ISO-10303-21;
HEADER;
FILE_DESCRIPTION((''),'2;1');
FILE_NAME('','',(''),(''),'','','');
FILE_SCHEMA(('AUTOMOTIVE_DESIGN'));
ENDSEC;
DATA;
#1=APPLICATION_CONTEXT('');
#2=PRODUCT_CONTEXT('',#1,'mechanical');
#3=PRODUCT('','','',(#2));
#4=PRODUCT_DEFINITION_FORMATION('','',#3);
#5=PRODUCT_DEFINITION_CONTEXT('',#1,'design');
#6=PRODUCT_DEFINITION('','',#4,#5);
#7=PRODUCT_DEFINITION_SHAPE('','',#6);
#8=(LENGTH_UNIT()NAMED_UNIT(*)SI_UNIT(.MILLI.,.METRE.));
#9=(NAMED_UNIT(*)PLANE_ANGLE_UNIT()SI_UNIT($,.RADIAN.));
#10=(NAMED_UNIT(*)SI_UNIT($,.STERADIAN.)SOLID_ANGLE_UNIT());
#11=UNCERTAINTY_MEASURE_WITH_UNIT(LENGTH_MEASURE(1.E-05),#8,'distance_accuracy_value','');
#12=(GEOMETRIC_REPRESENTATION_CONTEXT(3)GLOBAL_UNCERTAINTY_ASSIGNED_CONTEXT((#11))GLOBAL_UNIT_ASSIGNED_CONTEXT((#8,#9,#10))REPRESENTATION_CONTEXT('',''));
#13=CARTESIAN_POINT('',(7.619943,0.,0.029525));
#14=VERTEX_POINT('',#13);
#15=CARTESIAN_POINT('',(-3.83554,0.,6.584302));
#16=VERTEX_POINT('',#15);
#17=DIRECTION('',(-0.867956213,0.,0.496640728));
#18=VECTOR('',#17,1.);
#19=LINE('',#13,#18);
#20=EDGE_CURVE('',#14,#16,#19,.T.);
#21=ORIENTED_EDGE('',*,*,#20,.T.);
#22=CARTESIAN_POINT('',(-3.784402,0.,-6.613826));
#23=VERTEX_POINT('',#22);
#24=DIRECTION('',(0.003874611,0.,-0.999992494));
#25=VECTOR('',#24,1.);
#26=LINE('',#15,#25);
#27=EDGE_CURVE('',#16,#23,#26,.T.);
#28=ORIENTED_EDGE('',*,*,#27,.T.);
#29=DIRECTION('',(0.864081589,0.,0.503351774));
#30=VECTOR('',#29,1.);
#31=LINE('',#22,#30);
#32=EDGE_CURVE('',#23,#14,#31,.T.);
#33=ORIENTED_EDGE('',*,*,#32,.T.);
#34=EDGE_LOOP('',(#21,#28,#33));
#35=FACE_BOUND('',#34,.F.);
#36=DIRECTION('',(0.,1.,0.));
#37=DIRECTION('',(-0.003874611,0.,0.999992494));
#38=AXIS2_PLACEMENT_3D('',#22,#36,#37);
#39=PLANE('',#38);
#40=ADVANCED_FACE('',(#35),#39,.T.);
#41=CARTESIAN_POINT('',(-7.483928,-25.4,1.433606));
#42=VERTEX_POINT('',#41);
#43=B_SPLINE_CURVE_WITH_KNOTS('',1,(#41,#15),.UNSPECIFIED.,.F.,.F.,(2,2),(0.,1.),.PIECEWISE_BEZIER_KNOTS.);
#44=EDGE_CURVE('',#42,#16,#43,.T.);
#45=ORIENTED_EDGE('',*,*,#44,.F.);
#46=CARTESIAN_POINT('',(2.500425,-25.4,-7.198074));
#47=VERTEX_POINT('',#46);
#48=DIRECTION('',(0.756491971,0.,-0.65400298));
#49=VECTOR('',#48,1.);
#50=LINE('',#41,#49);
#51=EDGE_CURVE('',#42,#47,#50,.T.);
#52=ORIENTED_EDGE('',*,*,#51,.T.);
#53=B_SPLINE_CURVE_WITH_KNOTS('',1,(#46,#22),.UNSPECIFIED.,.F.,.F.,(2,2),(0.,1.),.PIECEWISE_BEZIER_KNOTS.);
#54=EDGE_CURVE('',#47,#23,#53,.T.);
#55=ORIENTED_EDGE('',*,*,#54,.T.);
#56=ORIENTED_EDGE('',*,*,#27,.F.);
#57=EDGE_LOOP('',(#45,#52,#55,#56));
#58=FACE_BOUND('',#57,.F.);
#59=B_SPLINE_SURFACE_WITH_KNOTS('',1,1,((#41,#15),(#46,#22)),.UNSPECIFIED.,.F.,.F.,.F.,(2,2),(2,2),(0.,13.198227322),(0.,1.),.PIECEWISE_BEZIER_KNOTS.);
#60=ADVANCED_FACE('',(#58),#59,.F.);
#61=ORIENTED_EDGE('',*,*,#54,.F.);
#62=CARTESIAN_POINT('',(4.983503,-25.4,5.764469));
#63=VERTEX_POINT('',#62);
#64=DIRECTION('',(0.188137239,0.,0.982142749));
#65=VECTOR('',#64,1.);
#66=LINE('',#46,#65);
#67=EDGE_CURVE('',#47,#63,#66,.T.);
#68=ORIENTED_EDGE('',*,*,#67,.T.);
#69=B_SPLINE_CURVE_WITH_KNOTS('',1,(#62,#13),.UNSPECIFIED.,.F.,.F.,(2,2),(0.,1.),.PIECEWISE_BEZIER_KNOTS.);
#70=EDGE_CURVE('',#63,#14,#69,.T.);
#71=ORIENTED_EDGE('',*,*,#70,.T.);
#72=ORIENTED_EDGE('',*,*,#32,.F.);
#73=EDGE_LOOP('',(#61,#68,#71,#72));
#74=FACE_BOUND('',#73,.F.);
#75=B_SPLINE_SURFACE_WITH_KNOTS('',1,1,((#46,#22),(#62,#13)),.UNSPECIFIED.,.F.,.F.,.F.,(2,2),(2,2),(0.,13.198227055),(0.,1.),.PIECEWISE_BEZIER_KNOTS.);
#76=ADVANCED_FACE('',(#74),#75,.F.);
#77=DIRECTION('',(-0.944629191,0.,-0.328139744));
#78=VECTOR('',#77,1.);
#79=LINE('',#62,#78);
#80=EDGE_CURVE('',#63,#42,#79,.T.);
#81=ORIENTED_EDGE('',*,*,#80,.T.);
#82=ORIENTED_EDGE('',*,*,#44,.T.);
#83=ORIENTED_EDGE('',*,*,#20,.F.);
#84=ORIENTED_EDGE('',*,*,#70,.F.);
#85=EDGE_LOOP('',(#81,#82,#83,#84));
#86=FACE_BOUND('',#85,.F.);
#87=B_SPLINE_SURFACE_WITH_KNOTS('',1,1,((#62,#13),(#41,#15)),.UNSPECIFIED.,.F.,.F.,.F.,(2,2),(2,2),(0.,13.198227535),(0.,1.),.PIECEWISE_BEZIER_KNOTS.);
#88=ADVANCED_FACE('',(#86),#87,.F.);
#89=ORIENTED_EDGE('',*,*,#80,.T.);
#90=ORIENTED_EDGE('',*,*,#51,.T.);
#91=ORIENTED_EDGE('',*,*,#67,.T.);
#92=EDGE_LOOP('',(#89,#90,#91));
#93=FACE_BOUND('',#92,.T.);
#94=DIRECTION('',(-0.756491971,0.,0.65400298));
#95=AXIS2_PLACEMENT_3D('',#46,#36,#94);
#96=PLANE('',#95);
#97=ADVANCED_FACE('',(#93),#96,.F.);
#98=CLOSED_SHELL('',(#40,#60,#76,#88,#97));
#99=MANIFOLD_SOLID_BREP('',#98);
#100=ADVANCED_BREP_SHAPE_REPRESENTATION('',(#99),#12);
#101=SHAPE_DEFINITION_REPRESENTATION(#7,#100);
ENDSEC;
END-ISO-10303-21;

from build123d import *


with BuildPart() as f3:
    # F2 (on offset) → F3 section 0
    with BuildSketch(Plane.XZ.offset(25.4)):
        Polygon((2.500425, -7.198074), (4.983503, 5.764469), (-7.483928, 1.433606), align=None)
    # F0 (on Front) → F3 section 1
    with BuildSketch(Plane.XZ):
        Polygon((7.619943, 0.029525), (-3.83554, 6.584302), (-3.784402, -6.613826), align=None)
    loft()


solid = f3.part
